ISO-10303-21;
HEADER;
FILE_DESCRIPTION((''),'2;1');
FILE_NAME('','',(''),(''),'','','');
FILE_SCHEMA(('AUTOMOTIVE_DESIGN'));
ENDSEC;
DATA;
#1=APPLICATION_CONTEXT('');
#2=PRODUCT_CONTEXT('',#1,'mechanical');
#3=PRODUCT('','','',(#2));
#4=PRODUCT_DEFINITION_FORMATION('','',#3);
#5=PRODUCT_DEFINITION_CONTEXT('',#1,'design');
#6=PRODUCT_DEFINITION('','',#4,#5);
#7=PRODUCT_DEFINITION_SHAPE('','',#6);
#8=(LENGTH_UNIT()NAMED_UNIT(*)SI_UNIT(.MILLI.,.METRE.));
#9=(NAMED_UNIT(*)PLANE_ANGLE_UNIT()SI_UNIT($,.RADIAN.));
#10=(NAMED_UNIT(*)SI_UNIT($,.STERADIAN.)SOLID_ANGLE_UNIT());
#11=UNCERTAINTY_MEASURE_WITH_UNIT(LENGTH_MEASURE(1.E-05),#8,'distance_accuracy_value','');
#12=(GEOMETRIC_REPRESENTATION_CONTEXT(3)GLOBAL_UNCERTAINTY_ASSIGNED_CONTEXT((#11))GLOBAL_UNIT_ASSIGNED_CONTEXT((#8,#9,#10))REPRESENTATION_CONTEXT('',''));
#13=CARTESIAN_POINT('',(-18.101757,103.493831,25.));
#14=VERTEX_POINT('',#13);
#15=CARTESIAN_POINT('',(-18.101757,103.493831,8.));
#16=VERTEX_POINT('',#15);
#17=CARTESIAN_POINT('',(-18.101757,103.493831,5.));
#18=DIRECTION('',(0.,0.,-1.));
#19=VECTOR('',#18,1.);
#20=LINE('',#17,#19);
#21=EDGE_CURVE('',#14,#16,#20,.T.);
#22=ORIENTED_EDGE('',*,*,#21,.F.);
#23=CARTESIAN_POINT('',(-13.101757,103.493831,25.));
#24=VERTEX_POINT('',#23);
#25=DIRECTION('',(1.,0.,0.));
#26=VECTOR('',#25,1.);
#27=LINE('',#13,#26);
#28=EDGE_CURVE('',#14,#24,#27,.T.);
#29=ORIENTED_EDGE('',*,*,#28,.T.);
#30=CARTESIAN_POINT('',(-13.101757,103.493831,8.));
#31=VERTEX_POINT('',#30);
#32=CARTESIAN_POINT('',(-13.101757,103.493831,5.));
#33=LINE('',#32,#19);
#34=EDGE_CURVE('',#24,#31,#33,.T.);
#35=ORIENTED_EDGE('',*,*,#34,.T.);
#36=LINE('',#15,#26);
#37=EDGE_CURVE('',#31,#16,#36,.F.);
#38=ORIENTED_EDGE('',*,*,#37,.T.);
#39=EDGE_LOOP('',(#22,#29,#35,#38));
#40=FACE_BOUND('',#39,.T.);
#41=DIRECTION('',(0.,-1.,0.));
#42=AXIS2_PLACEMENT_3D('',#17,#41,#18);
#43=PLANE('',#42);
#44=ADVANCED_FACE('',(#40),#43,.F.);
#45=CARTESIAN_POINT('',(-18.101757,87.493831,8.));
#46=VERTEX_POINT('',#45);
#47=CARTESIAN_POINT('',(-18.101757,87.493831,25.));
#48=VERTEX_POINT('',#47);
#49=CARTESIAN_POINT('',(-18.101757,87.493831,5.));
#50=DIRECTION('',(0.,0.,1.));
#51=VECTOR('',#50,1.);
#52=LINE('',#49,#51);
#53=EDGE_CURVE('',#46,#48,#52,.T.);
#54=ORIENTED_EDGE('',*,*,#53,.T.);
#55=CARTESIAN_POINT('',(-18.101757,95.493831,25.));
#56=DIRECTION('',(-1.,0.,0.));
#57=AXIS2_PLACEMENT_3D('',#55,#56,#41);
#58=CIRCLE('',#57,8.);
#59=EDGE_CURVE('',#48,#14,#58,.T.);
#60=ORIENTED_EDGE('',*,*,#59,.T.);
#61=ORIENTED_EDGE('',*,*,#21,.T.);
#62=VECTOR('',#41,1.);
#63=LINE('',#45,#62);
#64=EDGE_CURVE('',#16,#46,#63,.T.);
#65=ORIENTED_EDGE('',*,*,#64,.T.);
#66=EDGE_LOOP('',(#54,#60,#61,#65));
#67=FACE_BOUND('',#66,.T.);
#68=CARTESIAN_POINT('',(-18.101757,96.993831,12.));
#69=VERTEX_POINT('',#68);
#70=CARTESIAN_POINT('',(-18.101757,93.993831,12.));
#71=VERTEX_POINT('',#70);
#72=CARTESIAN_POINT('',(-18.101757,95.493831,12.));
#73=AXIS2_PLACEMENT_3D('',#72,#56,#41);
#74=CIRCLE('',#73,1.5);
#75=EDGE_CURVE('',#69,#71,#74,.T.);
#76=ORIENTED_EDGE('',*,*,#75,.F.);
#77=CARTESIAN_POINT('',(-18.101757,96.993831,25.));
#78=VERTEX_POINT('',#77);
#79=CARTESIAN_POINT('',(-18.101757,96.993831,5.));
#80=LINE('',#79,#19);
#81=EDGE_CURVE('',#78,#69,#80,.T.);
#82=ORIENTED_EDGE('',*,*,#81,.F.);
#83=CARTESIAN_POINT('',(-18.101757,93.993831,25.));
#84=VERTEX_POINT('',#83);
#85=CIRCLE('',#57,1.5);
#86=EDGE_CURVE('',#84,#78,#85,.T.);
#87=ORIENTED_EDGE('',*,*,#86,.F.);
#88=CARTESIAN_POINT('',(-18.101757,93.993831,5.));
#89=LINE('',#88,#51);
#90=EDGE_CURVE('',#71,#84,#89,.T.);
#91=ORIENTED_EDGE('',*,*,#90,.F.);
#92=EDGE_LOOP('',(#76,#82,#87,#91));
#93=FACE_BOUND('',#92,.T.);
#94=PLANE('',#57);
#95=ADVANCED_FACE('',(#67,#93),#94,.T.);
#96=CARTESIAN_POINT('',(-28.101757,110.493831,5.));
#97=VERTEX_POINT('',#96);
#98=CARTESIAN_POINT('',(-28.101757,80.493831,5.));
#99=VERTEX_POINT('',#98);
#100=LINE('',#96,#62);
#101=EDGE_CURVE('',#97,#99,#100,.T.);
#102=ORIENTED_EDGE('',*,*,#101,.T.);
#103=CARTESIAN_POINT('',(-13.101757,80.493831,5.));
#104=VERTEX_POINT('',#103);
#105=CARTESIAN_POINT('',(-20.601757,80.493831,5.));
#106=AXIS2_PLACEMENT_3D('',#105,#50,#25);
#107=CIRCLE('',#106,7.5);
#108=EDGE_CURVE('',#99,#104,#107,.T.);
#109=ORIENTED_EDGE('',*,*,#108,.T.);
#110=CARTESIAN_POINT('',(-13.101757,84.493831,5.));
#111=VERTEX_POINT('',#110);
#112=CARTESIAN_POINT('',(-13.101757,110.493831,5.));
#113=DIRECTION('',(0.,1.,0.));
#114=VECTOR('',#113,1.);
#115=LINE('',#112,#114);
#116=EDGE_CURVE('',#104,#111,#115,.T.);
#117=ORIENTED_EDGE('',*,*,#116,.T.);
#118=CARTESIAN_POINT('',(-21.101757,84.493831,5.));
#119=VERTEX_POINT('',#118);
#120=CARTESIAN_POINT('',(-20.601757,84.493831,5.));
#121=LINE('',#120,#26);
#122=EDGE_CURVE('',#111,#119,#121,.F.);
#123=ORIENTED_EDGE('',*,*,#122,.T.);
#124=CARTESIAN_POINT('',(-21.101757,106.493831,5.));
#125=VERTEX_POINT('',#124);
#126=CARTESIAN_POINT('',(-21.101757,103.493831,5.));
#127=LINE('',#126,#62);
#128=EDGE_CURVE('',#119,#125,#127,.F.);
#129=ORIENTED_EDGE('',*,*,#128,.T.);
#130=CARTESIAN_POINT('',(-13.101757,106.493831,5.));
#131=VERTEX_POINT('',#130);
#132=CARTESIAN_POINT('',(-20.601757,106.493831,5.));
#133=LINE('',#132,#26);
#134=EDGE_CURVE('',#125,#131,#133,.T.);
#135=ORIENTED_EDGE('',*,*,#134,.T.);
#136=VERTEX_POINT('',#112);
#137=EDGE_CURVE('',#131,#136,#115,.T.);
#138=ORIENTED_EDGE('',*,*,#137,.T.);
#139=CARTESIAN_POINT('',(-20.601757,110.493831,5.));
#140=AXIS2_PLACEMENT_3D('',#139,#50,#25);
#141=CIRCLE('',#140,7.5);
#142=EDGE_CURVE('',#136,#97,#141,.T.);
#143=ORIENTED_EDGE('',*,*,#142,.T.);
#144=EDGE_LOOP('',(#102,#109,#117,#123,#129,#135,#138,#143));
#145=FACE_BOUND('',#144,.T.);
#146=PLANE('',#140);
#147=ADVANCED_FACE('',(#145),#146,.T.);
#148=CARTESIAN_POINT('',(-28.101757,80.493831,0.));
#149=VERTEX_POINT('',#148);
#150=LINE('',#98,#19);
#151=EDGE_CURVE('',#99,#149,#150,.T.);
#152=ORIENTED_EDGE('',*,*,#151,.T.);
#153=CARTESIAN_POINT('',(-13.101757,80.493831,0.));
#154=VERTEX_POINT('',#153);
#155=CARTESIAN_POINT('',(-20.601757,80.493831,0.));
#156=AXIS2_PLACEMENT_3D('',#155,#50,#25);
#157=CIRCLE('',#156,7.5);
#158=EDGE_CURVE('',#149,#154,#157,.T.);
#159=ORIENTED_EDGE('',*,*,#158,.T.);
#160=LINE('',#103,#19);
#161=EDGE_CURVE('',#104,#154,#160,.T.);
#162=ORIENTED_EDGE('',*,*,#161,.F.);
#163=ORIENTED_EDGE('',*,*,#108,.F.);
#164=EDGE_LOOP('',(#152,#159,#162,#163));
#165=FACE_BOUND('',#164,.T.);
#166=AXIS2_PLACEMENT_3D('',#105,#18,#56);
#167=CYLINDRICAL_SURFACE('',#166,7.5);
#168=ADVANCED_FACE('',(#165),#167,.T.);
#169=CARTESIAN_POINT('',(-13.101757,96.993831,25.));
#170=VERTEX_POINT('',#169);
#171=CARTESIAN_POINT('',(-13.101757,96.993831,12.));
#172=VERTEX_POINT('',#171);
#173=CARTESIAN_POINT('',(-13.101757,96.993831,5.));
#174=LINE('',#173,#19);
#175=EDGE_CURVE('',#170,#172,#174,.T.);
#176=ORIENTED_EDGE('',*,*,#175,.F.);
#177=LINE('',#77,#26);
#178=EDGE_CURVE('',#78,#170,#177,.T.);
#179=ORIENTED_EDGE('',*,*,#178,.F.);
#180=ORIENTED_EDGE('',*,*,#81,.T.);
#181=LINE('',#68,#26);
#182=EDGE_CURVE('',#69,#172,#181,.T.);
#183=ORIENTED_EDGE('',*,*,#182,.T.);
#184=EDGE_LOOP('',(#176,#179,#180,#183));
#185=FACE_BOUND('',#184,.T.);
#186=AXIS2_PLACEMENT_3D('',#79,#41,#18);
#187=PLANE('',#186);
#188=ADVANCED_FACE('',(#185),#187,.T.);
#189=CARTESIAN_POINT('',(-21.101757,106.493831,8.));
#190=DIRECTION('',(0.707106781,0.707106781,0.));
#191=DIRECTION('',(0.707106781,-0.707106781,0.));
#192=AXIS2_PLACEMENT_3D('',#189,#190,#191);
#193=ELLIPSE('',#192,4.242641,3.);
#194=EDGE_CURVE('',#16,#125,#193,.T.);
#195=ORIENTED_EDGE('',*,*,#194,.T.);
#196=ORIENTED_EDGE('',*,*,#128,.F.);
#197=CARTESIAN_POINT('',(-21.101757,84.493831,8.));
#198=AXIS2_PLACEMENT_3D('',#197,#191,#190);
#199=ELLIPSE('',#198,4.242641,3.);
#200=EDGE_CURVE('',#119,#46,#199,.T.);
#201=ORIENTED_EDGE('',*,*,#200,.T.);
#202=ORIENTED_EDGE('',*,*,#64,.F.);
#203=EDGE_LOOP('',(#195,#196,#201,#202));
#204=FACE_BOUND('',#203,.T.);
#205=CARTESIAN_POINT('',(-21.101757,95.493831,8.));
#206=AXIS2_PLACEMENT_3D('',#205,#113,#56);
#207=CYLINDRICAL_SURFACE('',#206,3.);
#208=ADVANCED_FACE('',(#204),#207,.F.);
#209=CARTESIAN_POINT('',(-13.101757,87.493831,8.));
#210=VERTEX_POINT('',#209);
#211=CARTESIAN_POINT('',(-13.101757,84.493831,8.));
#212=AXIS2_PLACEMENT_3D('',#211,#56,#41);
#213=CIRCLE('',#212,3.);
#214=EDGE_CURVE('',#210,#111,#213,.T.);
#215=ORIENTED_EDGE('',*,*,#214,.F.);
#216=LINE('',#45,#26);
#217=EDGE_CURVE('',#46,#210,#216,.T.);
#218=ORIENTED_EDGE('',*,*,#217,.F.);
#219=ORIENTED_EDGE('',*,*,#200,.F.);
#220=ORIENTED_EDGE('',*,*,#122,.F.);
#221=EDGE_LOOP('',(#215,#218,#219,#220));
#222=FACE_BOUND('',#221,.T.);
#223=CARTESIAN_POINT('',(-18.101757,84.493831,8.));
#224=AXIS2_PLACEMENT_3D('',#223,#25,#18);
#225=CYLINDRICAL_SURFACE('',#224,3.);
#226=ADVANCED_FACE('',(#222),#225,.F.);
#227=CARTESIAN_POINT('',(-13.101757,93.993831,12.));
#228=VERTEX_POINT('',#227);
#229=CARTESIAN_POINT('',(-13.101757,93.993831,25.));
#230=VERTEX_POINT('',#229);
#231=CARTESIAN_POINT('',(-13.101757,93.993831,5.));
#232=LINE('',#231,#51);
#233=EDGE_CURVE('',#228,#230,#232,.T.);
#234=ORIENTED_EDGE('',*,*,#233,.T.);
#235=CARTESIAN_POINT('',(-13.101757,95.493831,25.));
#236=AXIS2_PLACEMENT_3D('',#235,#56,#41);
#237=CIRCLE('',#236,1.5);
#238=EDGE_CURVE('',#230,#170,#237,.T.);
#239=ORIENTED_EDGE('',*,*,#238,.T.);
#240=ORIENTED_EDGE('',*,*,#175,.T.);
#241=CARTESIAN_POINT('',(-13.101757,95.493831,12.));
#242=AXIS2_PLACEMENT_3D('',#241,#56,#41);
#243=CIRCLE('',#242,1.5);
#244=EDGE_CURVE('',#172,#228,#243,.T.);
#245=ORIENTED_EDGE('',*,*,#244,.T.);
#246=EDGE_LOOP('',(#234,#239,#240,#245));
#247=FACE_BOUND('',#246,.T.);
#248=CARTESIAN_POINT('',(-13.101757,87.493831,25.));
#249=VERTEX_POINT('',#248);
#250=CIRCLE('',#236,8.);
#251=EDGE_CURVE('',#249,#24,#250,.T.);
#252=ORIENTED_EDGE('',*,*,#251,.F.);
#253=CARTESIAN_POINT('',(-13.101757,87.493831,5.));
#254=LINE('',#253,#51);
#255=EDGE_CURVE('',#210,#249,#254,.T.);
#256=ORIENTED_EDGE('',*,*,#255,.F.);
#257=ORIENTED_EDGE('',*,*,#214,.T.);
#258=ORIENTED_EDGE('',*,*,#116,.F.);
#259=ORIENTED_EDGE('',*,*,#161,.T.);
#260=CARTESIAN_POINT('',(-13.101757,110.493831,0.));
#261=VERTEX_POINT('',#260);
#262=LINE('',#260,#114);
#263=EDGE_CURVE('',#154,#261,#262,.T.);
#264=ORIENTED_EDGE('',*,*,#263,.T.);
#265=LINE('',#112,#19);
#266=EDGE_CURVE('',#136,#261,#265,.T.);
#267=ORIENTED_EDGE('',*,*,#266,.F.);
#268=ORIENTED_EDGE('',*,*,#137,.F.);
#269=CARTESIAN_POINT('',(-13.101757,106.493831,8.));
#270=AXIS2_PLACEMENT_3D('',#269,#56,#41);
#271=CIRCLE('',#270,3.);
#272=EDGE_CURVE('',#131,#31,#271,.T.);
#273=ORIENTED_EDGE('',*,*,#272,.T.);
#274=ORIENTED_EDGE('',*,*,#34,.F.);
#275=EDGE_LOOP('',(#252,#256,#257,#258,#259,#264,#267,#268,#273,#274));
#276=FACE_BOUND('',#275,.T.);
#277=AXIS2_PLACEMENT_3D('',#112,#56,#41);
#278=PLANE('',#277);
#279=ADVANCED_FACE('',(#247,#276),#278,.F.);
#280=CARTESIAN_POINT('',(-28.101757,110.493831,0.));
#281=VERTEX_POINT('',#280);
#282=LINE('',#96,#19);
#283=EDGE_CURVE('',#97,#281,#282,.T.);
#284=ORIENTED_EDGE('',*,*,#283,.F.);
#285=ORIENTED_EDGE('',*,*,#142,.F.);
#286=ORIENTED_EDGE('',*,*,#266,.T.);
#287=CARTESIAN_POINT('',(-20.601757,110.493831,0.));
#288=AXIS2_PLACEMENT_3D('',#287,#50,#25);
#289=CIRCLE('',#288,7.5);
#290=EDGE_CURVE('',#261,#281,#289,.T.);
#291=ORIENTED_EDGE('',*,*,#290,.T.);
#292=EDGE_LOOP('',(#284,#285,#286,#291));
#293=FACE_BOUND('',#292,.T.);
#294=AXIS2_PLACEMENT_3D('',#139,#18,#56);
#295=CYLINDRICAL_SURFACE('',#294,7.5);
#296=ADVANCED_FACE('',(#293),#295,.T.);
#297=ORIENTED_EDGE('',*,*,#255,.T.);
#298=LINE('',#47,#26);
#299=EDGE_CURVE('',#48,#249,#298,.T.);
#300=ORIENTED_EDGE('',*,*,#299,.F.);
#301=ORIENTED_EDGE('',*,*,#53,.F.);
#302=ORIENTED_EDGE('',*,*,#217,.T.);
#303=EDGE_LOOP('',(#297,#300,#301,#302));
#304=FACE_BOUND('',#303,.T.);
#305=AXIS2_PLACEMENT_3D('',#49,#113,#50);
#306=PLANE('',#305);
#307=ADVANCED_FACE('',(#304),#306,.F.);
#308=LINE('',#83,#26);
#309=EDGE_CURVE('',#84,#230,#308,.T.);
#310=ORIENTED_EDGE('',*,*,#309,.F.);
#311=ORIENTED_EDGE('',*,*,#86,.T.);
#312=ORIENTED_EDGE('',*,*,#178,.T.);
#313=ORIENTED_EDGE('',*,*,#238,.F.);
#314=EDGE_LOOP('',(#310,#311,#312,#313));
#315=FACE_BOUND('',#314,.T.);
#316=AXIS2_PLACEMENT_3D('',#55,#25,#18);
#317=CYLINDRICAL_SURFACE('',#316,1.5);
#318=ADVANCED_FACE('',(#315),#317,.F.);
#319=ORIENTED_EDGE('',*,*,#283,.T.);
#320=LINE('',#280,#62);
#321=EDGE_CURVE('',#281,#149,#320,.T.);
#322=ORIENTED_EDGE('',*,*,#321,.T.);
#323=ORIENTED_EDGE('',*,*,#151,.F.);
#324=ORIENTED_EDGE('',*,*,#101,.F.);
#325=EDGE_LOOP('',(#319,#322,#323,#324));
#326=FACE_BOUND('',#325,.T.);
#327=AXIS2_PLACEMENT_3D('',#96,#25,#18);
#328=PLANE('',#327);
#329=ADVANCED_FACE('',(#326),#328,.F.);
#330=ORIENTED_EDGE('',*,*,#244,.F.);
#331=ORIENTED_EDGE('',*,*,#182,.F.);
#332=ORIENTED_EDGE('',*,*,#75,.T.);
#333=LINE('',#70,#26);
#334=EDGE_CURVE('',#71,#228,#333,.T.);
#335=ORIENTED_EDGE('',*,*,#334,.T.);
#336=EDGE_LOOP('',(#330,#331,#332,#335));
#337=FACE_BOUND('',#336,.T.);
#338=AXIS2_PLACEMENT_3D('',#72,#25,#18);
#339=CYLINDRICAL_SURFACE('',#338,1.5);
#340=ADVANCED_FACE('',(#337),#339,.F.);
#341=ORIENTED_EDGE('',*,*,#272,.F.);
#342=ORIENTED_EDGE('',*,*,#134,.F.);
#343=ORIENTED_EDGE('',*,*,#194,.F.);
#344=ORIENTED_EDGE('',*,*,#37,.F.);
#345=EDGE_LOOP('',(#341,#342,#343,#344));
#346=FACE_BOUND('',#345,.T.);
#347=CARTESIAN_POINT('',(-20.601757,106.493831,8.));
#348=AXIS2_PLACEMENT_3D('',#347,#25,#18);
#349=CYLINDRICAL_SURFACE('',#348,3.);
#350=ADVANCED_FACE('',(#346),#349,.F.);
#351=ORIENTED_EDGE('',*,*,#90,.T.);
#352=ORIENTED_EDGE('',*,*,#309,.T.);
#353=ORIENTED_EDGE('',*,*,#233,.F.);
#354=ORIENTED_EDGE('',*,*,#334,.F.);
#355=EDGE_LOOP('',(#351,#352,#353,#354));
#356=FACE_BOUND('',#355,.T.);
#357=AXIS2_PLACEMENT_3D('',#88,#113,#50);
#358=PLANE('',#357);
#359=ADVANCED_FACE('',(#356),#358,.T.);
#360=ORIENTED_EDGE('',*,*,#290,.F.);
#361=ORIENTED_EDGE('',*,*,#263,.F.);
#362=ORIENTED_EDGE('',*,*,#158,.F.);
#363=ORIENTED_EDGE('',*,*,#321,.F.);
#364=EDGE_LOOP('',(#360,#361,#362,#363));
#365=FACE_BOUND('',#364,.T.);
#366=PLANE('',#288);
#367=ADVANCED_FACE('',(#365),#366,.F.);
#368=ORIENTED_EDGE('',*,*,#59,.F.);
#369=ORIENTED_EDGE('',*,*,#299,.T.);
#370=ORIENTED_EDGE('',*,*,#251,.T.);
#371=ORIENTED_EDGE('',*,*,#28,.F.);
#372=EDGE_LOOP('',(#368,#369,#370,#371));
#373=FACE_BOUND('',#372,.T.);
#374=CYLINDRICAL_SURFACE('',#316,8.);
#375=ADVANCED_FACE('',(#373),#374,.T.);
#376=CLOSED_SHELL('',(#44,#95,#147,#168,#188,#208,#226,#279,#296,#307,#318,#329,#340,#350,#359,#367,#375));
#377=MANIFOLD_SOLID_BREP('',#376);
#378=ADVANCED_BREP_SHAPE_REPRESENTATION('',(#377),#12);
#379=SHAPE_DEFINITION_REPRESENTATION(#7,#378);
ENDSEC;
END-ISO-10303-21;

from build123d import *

# Parameters (mm, degrees)
EXTRUDE_1_DEPTH = 5
EXTRUDE_START   = -15
EXTRUDE_2_DEPTH = 5
FILLET_1_R      = 3


with BuildPart() as part:
    # Эскиз1 → Бобышка-Вытянуть1 (new body)
    with BuildSketch(Plane.XY):
        with BuildLine():
            Line((-13.101757321, 110.493831222), (-13.101757321, 80.493831222))
            ThreePointArc((-13.101757321, 80.493831222), (-20.601757321, 72.993831222), (-28.101757321, 80.493831222))
            Line((-28.101757321, 80.493831222), (-28.101757321, 110.493831222))
            ThreePointArc((-28.101757321, 110.493831222), (-20.601757321, 117.993831222), (-13.101757321, 110.493831222))
        make_face()
    extrude(amount=EXTRUDE_1_DEPTH)

    # Эскиз2 → Бобышка-Вытянуть2 (add)
    with BuildSketch(Plane.ZY.offset(28.101757321).offset(EXTRUDE_START)):
        with BuildLine():
            Line((5, 103.493831222), (25, 103.493831222))
            ThreePointArc((25, 103.493831222), (33, 95.493831222), (25, 87.493831222))
            Line((25, 87.493831222), (5, 87.493831222))
            Line((5, 87.493831222), (5, 103.493831222))
        make_face()
        with BuildLine():
            Line((25, 93.993831222), (12, 93.993831222))
            ThreePointArc((12, 93.993831222), (10.5, 95.493831222), (12, 96.993831222))
            Line((12, 96.993831222), (25, 96.993831222))
            ThreePointArc((25, 96.993831222), (26.5, 95.493831222), (25, 93.993831222))
        make_face(mode=Mode.SUBTRACT)
    extrude(amount=EXTRUDE_2_DEPTH)

    # Скругление1
    fillet_1_edges = [part.edges().sort_by_distance(p)[0] for p in [
        (-18.101757321, 95.493831222, 5),
        (-15.601757321, 87.493831222, 5),
        (-15.601757321, 103.493831222, 5),
    ]]
    fillet(fillet_1_edges, radius=FILLET_1_R)


solid = part.part
